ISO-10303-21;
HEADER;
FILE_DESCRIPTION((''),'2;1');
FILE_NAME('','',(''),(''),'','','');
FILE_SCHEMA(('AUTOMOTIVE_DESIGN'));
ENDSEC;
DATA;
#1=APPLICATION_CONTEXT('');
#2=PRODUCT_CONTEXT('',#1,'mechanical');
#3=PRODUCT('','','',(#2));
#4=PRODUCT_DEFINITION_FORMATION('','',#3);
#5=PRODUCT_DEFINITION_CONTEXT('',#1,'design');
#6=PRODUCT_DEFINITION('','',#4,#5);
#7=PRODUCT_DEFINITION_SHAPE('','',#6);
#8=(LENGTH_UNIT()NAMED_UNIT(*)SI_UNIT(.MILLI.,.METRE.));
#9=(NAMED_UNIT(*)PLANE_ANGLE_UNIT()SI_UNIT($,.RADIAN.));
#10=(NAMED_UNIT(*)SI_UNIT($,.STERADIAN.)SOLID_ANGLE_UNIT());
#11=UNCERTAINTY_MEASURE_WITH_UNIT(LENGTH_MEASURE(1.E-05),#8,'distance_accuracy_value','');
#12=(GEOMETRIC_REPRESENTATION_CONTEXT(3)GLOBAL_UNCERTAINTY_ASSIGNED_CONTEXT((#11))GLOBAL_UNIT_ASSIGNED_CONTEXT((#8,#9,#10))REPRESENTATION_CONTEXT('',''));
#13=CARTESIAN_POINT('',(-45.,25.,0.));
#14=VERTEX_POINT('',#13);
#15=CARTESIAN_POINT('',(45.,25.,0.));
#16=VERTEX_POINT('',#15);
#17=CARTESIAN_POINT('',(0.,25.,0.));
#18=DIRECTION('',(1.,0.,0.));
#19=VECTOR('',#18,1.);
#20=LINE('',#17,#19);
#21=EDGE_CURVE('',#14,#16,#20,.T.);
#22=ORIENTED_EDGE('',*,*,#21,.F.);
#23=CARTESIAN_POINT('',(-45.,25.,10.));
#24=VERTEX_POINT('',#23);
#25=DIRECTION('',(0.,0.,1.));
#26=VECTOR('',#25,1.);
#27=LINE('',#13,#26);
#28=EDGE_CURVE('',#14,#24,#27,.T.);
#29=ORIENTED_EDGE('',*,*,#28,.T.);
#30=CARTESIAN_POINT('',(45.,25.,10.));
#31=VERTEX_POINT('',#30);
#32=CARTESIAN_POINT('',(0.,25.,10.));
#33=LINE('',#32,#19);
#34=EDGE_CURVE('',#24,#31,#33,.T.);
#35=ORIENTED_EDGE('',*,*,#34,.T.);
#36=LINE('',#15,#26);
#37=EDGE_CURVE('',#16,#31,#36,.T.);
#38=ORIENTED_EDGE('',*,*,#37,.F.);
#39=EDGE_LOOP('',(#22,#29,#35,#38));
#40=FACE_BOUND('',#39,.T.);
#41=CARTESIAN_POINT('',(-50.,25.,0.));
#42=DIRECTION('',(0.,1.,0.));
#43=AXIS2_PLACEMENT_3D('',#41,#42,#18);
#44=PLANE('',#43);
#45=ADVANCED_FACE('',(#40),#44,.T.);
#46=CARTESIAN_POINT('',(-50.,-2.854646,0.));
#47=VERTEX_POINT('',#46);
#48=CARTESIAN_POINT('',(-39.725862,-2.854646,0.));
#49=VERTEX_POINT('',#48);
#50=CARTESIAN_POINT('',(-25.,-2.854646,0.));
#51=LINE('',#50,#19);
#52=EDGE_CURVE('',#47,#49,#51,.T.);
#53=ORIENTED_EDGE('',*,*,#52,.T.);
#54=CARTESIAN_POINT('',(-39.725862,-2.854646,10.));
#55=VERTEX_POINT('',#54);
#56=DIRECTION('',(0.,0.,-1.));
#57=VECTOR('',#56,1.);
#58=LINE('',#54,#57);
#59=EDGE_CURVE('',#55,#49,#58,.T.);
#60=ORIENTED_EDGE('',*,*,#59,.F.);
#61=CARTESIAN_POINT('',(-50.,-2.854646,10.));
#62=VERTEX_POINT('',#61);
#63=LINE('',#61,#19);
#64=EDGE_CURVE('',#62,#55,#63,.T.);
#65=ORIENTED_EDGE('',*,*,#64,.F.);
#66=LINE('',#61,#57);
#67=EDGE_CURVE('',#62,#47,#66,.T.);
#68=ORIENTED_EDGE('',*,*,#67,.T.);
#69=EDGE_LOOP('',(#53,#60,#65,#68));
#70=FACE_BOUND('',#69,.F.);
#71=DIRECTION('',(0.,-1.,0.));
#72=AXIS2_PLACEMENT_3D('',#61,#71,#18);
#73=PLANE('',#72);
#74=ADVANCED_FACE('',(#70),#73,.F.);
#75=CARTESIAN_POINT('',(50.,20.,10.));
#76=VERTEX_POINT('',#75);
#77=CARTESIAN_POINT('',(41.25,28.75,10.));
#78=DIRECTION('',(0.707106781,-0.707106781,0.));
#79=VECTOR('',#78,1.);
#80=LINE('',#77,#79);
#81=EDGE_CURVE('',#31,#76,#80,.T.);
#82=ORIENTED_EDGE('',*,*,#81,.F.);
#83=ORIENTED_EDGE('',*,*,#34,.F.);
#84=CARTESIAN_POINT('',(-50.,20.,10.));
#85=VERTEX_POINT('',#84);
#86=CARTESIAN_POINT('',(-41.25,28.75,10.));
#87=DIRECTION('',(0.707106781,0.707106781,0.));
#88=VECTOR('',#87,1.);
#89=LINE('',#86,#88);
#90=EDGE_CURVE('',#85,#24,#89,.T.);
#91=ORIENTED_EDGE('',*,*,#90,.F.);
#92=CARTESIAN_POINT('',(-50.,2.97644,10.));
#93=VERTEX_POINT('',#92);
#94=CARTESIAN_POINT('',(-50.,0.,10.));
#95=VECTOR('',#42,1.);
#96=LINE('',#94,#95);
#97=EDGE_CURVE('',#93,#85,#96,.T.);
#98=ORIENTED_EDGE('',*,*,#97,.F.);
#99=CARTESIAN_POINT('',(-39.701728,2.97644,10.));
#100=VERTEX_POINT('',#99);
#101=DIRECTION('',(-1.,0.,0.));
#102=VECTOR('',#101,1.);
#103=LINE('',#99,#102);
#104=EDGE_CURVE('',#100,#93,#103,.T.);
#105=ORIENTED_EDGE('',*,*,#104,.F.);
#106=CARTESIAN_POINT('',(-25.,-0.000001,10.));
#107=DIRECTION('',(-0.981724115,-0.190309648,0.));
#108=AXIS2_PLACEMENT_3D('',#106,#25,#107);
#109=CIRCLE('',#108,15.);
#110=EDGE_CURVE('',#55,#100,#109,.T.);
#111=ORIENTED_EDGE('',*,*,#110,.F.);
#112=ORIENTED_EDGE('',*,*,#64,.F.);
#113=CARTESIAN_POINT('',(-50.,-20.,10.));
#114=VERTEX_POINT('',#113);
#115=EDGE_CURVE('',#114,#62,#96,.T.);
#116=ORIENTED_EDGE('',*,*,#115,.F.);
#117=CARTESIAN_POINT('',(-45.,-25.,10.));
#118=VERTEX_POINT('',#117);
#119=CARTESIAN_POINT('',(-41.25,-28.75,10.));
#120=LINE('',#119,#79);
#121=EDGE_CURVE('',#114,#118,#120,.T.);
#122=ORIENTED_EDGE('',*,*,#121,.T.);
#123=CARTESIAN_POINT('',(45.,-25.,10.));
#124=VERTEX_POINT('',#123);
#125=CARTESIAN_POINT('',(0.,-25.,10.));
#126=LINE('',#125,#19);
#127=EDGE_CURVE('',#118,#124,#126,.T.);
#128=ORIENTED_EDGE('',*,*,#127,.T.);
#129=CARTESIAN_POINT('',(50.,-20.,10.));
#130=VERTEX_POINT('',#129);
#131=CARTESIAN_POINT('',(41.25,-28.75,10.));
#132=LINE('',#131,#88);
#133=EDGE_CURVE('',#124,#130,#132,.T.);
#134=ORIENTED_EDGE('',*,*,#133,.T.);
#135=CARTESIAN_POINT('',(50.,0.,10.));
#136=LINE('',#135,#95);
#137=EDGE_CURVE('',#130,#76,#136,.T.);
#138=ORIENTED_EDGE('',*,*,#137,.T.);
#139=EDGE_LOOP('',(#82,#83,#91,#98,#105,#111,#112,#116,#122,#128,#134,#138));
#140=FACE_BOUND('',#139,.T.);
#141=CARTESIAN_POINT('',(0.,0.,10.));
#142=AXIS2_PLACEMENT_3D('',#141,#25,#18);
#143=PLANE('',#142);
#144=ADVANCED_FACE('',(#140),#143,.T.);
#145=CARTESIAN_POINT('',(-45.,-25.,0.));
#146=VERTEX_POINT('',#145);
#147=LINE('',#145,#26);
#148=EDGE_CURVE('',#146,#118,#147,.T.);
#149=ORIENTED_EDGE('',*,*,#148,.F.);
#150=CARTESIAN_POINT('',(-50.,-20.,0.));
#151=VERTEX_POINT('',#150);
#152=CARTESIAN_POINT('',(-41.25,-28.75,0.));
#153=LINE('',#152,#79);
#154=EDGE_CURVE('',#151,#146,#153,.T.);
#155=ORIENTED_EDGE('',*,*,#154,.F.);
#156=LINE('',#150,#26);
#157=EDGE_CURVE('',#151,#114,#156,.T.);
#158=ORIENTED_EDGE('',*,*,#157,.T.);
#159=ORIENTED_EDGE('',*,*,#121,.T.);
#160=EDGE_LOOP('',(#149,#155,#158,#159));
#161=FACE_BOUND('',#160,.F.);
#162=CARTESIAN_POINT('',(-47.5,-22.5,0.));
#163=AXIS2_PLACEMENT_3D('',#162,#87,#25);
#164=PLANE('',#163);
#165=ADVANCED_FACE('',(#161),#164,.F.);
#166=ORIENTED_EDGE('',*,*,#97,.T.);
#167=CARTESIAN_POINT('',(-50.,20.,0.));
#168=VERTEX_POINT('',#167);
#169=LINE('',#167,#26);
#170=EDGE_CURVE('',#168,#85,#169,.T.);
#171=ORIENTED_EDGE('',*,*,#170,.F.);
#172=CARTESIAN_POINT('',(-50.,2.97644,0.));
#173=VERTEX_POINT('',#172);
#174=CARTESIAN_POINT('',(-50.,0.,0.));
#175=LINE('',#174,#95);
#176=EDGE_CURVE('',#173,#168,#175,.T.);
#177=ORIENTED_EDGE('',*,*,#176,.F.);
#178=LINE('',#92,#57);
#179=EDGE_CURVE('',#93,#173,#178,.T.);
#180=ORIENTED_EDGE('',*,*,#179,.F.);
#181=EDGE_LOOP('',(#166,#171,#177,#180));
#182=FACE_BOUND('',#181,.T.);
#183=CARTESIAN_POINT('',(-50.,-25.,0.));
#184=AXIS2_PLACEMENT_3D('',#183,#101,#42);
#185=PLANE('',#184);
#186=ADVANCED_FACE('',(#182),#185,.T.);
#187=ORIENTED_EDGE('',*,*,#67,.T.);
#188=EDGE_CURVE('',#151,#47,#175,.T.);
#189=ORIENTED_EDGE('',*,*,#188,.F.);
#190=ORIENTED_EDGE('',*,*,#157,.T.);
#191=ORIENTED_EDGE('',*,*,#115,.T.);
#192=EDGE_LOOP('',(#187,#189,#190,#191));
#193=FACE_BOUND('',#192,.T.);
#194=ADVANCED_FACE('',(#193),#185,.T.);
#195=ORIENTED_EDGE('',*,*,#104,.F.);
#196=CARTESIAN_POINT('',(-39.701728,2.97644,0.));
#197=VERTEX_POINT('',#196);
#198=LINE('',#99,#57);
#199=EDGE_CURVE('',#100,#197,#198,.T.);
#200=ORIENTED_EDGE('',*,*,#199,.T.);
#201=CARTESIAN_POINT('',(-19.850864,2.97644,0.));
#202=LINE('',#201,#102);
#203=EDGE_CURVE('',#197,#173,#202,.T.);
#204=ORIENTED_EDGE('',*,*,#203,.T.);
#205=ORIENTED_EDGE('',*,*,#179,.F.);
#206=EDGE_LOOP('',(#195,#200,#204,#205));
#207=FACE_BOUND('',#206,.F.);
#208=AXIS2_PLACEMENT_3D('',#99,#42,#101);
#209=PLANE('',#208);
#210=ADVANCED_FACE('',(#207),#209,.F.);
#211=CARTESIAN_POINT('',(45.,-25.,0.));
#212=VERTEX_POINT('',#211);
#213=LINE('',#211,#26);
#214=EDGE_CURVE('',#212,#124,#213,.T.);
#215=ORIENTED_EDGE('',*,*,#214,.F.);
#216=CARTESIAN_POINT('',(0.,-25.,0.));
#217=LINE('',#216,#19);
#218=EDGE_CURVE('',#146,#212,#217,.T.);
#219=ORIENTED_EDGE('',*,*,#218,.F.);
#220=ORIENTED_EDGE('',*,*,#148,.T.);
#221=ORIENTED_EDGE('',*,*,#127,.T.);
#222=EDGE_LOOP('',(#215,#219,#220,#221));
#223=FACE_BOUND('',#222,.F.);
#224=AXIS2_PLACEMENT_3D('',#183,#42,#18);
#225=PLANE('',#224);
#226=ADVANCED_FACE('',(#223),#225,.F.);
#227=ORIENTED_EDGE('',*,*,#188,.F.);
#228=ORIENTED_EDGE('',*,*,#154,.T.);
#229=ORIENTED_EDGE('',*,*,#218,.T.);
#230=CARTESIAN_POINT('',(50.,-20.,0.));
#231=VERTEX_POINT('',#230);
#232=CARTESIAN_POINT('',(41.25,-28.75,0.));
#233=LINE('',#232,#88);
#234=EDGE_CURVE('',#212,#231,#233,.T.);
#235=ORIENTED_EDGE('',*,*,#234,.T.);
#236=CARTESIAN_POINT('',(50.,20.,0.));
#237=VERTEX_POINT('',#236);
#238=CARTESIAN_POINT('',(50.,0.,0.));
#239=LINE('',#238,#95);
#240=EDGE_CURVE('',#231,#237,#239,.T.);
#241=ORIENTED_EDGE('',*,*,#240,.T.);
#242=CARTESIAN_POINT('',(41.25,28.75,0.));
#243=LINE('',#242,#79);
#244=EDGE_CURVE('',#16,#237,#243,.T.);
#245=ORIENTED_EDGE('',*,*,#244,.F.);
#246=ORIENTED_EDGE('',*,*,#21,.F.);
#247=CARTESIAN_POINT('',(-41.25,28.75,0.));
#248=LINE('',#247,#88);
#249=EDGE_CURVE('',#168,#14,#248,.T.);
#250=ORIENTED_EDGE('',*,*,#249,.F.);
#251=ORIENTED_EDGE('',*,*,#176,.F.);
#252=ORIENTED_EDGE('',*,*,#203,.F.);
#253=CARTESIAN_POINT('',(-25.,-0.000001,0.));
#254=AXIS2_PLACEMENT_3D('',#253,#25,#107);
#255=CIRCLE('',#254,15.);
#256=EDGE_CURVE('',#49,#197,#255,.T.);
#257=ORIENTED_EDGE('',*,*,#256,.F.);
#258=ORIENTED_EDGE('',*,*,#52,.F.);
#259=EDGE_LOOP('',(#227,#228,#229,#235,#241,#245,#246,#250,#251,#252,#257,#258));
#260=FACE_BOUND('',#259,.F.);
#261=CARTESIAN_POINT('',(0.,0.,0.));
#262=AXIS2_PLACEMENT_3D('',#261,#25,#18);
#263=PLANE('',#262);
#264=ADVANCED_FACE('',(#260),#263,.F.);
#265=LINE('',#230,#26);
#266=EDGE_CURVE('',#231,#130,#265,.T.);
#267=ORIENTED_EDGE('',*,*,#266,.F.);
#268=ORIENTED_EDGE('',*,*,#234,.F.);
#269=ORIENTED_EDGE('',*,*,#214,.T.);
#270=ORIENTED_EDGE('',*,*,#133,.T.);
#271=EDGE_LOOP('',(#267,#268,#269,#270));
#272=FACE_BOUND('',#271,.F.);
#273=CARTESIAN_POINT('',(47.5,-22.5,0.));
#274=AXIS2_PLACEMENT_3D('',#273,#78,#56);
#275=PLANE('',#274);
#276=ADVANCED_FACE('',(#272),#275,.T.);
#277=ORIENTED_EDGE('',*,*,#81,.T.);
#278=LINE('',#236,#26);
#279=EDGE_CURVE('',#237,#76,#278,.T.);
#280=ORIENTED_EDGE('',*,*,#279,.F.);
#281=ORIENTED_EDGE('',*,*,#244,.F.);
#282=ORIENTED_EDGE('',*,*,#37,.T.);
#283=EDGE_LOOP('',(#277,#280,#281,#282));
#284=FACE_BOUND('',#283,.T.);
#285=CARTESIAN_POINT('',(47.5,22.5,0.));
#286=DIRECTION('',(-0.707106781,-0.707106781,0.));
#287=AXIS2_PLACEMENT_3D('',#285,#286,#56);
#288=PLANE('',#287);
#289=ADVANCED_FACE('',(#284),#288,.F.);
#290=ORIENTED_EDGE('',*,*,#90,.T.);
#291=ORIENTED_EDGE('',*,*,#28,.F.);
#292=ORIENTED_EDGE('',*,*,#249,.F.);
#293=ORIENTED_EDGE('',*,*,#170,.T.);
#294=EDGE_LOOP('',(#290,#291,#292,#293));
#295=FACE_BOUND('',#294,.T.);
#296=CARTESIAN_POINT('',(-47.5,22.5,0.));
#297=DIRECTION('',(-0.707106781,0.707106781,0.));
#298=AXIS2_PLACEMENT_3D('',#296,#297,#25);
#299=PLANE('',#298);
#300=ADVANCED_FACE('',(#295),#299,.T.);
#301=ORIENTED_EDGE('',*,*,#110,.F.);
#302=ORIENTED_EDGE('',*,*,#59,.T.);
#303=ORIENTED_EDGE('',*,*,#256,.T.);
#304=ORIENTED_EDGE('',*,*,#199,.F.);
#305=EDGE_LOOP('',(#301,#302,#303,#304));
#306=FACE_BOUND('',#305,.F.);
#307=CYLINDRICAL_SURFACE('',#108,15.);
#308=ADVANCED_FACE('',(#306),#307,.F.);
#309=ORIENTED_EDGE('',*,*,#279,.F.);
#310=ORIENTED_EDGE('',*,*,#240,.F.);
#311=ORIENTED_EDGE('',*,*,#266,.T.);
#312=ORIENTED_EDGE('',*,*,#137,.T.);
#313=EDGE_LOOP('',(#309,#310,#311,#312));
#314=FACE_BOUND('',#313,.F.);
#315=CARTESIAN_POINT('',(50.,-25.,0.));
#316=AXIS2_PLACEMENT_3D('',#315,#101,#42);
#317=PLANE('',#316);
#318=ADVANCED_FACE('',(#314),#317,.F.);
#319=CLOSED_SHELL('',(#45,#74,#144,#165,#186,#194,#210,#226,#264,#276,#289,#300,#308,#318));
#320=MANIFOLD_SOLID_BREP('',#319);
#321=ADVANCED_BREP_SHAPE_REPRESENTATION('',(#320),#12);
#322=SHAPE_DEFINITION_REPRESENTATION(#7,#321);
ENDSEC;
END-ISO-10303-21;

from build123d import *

# Parameters (mm, degrees)
F0_W     = 100
F0_H     = 50
F1_DEPTH = 10
F3_DEPTH = 25
F4_SIZE  = 5


with BuildPart() as f1:
    # F0 (on Top) → F1 (new body)
    with BuildSketch(Plane.XY):
        Rectangle(F0_W, F0_H)
    extrude(amount=F1_DEPTH)

    # F2 (on face) → F3 (cut)
    with BuildSketch(Plane.XY.offset(10)):
        with BuildLine():
            Line((-50, -2.854646), (-39.725862, -2.854646))
            ThreePointArc((-39.725862, -2.854646), (-10.000128, -0.062081), (-39.701728, 2.97644))
            Line((-39.701728, 2.97644), (-50, 2.97644))
            Line((-50, 2.97644), (-50, -2.854646))
        make_face()
    extrude(amount=-F3_DEPTH, mode=Mode.SUBTRACT)

    # F4
    f4_edges = [f1.edges().sort_by_distance(p)[0] for p in [
        (50, 25, 5),
        (50, -25, 5),
        (-50, 25, 5),
        (-50, -25, 5),
    ]]
    chamfer(f4_edges, length=F4_SIZE)


solid = f1.part
